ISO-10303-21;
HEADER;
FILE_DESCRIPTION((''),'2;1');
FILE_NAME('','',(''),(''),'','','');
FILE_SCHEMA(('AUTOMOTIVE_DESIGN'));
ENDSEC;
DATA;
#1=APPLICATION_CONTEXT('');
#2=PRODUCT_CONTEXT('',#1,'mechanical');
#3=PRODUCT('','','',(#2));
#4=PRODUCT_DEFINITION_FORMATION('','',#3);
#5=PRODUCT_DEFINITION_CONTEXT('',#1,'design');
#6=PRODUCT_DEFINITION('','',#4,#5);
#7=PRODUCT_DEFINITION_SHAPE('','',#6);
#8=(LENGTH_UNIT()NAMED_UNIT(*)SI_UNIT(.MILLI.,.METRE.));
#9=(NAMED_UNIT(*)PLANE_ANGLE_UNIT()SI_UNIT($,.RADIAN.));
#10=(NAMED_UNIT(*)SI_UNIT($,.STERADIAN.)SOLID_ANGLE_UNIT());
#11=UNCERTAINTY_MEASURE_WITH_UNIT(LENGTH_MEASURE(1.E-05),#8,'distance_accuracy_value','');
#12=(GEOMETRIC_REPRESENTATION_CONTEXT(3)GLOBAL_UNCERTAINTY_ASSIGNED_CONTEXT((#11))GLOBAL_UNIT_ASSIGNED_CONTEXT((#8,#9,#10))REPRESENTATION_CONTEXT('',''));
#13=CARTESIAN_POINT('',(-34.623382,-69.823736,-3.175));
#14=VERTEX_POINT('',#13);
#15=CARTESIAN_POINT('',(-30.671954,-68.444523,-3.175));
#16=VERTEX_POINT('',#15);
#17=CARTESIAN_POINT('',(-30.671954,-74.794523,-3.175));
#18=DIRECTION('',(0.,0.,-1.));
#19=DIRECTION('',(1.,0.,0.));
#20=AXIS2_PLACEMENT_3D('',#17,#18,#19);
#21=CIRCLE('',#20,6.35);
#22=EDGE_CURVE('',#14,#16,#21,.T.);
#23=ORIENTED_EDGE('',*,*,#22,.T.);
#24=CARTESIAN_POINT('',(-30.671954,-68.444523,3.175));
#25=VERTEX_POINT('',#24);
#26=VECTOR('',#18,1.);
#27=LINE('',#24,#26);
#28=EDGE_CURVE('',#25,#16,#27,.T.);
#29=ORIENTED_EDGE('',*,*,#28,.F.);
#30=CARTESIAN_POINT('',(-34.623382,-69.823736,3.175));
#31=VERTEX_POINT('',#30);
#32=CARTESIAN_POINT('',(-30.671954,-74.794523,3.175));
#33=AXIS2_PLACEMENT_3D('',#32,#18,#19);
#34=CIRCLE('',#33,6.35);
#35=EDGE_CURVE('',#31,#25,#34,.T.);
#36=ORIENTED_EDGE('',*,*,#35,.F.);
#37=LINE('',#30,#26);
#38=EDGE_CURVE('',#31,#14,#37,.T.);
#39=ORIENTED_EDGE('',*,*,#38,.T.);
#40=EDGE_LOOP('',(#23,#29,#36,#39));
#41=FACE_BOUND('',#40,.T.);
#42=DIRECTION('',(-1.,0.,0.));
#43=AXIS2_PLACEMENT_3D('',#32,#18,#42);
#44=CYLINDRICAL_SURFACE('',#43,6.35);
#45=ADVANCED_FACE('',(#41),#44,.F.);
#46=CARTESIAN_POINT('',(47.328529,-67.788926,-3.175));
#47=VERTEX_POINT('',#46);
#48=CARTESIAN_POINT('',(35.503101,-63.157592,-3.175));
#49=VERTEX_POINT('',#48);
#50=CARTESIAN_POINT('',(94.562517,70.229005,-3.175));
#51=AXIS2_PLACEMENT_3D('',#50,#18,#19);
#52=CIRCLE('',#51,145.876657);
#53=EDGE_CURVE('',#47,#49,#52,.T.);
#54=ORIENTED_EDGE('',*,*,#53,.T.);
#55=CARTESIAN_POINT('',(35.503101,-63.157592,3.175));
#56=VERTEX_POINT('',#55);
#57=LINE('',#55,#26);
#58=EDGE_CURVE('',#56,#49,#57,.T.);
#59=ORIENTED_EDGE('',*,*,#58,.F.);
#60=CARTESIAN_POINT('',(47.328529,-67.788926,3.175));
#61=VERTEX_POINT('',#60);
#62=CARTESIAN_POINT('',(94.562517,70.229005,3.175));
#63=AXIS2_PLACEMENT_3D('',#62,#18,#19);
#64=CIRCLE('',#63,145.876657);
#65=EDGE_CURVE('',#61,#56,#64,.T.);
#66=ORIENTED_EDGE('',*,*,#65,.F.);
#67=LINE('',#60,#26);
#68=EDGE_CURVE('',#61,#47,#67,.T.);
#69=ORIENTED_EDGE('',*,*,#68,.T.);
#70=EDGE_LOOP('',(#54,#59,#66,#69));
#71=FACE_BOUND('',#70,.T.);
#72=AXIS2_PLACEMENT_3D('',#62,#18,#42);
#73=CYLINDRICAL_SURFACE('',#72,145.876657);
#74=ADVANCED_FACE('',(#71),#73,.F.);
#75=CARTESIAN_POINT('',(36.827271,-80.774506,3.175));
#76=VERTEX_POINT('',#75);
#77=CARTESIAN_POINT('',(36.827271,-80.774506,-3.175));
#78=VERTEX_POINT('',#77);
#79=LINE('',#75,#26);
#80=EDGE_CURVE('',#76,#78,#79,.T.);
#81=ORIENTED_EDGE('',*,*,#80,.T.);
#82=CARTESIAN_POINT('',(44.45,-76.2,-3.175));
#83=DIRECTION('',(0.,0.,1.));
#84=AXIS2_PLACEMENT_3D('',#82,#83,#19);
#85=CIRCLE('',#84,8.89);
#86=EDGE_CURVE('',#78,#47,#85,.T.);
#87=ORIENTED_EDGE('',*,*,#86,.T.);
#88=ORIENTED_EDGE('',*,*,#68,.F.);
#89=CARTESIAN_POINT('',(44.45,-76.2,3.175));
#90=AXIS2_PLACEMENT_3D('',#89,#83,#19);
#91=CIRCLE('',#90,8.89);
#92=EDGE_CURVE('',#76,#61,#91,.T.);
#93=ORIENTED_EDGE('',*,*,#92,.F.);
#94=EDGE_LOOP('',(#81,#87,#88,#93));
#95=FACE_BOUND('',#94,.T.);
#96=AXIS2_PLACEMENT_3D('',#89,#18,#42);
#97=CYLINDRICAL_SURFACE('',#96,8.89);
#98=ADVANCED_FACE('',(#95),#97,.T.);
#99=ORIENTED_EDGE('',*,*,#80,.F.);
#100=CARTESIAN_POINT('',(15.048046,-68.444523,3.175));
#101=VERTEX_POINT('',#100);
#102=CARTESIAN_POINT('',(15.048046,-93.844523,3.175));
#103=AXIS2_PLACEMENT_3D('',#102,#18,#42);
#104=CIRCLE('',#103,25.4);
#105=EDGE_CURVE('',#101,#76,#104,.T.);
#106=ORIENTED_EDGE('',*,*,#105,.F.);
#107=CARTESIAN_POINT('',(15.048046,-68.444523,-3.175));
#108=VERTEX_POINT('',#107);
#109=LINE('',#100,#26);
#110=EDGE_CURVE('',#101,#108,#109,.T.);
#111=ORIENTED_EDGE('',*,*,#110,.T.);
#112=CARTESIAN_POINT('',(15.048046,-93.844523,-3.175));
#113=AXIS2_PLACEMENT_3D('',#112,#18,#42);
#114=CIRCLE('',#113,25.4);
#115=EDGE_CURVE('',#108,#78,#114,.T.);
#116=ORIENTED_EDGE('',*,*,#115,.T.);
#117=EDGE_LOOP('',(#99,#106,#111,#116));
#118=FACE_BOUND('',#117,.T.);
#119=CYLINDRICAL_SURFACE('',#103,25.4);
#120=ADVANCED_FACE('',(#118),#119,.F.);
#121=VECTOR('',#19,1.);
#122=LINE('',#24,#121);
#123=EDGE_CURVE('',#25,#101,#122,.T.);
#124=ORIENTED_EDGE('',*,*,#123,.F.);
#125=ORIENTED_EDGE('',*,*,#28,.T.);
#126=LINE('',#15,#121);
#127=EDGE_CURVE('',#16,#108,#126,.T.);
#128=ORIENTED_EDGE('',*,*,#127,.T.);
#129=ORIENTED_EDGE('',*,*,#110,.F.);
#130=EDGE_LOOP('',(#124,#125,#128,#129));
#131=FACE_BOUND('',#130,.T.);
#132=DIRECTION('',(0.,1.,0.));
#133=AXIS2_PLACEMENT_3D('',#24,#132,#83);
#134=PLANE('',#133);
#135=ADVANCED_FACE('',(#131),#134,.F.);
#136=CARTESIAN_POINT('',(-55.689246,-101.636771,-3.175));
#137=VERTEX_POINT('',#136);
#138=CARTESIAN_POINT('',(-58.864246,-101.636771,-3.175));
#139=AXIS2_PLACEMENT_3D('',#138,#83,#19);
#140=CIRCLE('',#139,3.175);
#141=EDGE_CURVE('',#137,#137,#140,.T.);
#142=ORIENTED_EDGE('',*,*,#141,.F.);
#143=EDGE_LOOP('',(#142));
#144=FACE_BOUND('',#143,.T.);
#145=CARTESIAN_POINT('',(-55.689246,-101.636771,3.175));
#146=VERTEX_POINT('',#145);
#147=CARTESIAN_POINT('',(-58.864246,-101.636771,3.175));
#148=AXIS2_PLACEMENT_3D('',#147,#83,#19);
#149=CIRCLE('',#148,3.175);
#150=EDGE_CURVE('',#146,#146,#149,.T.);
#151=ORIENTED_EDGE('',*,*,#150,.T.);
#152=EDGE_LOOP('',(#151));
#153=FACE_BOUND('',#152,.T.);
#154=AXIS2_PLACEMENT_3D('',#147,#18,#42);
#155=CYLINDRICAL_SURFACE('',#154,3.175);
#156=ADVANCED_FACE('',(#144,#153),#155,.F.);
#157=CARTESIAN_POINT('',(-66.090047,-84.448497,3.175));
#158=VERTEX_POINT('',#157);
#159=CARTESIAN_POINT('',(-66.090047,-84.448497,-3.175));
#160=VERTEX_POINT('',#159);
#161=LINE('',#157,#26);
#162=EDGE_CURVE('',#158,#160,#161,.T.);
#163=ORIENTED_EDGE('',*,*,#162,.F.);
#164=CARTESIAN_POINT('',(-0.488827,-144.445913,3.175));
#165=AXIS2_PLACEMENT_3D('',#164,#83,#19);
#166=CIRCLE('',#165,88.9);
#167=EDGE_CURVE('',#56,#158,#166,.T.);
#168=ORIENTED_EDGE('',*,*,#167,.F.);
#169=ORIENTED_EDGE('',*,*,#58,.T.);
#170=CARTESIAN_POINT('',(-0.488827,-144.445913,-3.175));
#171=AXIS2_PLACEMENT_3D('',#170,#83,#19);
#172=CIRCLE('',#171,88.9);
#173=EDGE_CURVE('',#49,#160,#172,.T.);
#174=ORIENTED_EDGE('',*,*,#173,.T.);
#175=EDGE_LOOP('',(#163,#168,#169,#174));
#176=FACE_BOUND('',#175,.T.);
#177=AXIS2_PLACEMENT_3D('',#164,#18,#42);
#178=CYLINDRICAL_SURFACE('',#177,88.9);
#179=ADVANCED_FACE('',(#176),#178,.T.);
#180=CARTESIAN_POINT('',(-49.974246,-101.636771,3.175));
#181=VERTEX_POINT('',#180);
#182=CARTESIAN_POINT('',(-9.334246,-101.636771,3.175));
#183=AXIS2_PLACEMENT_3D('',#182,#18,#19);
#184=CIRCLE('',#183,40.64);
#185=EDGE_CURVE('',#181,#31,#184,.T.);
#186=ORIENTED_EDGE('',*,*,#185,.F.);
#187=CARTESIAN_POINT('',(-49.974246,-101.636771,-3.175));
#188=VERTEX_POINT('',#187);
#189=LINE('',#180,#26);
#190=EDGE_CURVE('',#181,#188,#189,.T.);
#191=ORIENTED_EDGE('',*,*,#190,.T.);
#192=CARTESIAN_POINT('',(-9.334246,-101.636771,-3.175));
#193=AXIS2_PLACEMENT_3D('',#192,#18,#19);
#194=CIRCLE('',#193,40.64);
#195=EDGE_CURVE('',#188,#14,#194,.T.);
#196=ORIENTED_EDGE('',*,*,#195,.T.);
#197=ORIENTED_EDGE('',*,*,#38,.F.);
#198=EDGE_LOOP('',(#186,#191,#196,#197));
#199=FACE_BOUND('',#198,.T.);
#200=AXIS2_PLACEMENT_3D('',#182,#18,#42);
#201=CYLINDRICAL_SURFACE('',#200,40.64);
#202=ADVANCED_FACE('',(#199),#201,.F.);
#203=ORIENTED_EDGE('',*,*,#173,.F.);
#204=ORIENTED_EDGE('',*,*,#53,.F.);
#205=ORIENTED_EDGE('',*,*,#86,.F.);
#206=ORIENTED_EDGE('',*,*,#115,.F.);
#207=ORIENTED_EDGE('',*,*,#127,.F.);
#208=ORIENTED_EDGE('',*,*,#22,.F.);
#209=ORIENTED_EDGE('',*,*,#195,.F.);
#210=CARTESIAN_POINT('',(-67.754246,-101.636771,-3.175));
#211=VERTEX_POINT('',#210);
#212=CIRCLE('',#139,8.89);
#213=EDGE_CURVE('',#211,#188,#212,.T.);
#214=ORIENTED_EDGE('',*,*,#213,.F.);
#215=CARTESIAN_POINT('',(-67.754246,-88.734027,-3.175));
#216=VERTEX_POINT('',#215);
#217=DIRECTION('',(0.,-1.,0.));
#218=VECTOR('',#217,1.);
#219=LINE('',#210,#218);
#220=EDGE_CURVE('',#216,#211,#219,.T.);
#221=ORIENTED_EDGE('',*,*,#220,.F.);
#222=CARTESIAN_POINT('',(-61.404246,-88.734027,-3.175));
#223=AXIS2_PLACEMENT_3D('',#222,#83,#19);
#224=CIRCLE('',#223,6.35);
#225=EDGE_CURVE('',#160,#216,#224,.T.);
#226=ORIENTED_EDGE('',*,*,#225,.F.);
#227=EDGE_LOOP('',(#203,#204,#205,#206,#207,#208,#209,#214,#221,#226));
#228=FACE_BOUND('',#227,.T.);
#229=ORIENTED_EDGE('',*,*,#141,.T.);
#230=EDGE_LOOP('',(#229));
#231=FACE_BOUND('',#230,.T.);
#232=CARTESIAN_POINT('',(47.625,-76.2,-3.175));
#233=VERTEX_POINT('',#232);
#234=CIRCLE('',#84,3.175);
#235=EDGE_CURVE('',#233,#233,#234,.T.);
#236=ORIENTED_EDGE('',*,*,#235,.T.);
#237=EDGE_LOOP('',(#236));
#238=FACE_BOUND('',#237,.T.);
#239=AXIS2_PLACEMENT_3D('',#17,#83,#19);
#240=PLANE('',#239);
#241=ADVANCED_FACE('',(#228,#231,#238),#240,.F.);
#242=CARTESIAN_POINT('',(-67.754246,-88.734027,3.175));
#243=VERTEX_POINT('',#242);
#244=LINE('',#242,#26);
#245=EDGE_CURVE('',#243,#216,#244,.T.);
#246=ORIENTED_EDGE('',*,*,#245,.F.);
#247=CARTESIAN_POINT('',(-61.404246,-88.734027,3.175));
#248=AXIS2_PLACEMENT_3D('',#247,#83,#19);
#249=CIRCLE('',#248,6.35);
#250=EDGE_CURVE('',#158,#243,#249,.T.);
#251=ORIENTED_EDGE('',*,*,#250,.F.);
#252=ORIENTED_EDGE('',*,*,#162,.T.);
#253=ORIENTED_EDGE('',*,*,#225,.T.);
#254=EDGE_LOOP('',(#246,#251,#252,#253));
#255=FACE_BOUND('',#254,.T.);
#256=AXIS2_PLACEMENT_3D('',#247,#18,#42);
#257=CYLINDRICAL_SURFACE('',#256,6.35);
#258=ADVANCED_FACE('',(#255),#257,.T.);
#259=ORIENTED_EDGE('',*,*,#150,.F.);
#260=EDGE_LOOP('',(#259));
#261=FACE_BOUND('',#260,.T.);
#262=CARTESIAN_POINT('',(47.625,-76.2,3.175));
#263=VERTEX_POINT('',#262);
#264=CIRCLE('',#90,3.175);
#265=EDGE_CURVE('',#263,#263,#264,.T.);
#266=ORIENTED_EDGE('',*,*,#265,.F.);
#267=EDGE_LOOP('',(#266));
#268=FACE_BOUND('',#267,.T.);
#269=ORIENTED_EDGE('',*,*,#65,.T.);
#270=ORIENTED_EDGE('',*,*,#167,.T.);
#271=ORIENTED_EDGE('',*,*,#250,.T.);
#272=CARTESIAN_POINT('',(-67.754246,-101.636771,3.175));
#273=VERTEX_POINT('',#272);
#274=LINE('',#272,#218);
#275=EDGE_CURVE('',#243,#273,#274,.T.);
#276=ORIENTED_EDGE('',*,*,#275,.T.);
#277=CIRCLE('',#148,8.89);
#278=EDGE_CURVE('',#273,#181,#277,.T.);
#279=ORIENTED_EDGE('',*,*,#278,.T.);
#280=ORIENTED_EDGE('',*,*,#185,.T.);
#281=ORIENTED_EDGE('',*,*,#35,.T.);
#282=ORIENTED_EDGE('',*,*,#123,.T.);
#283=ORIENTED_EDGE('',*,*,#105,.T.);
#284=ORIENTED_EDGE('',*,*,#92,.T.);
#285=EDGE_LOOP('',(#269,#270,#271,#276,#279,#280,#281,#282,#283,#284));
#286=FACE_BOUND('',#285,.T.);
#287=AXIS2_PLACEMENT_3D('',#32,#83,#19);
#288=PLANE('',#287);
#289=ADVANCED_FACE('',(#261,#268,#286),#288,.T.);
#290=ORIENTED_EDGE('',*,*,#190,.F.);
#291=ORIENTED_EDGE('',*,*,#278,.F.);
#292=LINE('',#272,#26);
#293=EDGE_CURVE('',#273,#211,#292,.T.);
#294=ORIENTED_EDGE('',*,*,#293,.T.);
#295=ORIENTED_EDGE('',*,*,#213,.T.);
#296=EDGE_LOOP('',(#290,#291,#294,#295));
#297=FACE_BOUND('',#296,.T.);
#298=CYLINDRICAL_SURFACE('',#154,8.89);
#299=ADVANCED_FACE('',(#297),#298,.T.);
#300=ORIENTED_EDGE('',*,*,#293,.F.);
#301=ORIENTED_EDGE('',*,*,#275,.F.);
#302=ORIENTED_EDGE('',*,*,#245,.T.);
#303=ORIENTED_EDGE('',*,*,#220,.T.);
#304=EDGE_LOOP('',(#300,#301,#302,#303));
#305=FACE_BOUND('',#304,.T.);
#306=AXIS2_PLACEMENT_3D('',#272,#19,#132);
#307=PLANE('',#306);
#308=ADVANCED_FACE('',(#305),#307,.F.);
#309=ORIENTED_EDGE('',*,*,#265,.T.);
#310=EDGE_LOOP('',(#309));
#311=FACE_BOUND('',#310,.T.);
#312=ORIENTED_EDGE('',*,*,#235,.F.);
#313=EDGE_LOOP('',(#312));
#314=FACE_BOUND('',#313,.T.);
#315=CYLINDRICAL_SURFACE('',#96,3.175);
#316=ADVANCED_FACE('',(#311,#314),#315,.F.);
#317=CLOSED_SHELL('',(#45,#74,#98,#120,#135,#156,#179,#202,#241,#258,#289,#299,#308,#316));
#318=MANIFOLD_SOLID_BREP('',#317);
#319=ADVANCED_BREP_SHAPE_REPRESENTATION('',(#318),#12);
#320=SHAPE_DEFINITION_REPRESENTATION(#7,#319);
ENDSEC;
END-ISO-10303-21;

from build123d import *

# Parameters (mm, degrees)
SKETCH1_R      = 3.175
EXTRUDE1_DEPTH = 3.175


with BuildPart() as part:
    # Sketch1 → Extrude1 (new, symmetric)
    with BuildSketch(Plane.XY):
        with BuildLine():
            Line((-30.671954233, -68.444522869), (15.048045767, -68.444522869))
            ThreePointArc((15.048045767, -68.444522869), (27.561669737, -71.74092101), (36.827271125, -80.774505929))
            ThreePointArc((36.827271125, -80.774505929), (51.362538063, -81.790073124), (47.328528799, -67.788925636))
            ThreePointArc((47.328528799, -67.788925636), (41.365390525, -65.602009691), (35.503100856, -63.157591707))
            ThreePointArc((35.503100856, -63.157591707), (-18.723497615, -57.436104054), (-66.09004738, -84.448496879))
            ThreePointArc((-66.09004738, -84.448496879), (-67.32359299, -86.435368185), (-67.754245932, -88.734026577))
            Line((-67.754245932, -88.734026577), (-67.754245932, -101.636771367))
            ThreePointArc((-67.754245932, -101.636771367), (-58.864245932, -110.526771367), (-49.974245932, -101.636771367))
            ThreePointArc((-49.974245932, -101.636771367), (-45.935885769, -83.975243651), (-34.623381697, -69.82373611))
            ThreePointArc((-34.623381697, -69.82373611), (-32.764560752, -68.799233221), (-30.671954233, -68.444522869))
        make_face()
        with Locations((44.45, -76.2)):
            Circle(SKETCH1_R, mode=Mode.SUBTRACT)
        with Locations((-58.864245932, -101.636771367)):
            Circle(SKETCH1_R, mode=Mode.SUBTRACT)
    extrude(amount=EXTRUDE1_DEPTH, both=True)


solid = part.part
